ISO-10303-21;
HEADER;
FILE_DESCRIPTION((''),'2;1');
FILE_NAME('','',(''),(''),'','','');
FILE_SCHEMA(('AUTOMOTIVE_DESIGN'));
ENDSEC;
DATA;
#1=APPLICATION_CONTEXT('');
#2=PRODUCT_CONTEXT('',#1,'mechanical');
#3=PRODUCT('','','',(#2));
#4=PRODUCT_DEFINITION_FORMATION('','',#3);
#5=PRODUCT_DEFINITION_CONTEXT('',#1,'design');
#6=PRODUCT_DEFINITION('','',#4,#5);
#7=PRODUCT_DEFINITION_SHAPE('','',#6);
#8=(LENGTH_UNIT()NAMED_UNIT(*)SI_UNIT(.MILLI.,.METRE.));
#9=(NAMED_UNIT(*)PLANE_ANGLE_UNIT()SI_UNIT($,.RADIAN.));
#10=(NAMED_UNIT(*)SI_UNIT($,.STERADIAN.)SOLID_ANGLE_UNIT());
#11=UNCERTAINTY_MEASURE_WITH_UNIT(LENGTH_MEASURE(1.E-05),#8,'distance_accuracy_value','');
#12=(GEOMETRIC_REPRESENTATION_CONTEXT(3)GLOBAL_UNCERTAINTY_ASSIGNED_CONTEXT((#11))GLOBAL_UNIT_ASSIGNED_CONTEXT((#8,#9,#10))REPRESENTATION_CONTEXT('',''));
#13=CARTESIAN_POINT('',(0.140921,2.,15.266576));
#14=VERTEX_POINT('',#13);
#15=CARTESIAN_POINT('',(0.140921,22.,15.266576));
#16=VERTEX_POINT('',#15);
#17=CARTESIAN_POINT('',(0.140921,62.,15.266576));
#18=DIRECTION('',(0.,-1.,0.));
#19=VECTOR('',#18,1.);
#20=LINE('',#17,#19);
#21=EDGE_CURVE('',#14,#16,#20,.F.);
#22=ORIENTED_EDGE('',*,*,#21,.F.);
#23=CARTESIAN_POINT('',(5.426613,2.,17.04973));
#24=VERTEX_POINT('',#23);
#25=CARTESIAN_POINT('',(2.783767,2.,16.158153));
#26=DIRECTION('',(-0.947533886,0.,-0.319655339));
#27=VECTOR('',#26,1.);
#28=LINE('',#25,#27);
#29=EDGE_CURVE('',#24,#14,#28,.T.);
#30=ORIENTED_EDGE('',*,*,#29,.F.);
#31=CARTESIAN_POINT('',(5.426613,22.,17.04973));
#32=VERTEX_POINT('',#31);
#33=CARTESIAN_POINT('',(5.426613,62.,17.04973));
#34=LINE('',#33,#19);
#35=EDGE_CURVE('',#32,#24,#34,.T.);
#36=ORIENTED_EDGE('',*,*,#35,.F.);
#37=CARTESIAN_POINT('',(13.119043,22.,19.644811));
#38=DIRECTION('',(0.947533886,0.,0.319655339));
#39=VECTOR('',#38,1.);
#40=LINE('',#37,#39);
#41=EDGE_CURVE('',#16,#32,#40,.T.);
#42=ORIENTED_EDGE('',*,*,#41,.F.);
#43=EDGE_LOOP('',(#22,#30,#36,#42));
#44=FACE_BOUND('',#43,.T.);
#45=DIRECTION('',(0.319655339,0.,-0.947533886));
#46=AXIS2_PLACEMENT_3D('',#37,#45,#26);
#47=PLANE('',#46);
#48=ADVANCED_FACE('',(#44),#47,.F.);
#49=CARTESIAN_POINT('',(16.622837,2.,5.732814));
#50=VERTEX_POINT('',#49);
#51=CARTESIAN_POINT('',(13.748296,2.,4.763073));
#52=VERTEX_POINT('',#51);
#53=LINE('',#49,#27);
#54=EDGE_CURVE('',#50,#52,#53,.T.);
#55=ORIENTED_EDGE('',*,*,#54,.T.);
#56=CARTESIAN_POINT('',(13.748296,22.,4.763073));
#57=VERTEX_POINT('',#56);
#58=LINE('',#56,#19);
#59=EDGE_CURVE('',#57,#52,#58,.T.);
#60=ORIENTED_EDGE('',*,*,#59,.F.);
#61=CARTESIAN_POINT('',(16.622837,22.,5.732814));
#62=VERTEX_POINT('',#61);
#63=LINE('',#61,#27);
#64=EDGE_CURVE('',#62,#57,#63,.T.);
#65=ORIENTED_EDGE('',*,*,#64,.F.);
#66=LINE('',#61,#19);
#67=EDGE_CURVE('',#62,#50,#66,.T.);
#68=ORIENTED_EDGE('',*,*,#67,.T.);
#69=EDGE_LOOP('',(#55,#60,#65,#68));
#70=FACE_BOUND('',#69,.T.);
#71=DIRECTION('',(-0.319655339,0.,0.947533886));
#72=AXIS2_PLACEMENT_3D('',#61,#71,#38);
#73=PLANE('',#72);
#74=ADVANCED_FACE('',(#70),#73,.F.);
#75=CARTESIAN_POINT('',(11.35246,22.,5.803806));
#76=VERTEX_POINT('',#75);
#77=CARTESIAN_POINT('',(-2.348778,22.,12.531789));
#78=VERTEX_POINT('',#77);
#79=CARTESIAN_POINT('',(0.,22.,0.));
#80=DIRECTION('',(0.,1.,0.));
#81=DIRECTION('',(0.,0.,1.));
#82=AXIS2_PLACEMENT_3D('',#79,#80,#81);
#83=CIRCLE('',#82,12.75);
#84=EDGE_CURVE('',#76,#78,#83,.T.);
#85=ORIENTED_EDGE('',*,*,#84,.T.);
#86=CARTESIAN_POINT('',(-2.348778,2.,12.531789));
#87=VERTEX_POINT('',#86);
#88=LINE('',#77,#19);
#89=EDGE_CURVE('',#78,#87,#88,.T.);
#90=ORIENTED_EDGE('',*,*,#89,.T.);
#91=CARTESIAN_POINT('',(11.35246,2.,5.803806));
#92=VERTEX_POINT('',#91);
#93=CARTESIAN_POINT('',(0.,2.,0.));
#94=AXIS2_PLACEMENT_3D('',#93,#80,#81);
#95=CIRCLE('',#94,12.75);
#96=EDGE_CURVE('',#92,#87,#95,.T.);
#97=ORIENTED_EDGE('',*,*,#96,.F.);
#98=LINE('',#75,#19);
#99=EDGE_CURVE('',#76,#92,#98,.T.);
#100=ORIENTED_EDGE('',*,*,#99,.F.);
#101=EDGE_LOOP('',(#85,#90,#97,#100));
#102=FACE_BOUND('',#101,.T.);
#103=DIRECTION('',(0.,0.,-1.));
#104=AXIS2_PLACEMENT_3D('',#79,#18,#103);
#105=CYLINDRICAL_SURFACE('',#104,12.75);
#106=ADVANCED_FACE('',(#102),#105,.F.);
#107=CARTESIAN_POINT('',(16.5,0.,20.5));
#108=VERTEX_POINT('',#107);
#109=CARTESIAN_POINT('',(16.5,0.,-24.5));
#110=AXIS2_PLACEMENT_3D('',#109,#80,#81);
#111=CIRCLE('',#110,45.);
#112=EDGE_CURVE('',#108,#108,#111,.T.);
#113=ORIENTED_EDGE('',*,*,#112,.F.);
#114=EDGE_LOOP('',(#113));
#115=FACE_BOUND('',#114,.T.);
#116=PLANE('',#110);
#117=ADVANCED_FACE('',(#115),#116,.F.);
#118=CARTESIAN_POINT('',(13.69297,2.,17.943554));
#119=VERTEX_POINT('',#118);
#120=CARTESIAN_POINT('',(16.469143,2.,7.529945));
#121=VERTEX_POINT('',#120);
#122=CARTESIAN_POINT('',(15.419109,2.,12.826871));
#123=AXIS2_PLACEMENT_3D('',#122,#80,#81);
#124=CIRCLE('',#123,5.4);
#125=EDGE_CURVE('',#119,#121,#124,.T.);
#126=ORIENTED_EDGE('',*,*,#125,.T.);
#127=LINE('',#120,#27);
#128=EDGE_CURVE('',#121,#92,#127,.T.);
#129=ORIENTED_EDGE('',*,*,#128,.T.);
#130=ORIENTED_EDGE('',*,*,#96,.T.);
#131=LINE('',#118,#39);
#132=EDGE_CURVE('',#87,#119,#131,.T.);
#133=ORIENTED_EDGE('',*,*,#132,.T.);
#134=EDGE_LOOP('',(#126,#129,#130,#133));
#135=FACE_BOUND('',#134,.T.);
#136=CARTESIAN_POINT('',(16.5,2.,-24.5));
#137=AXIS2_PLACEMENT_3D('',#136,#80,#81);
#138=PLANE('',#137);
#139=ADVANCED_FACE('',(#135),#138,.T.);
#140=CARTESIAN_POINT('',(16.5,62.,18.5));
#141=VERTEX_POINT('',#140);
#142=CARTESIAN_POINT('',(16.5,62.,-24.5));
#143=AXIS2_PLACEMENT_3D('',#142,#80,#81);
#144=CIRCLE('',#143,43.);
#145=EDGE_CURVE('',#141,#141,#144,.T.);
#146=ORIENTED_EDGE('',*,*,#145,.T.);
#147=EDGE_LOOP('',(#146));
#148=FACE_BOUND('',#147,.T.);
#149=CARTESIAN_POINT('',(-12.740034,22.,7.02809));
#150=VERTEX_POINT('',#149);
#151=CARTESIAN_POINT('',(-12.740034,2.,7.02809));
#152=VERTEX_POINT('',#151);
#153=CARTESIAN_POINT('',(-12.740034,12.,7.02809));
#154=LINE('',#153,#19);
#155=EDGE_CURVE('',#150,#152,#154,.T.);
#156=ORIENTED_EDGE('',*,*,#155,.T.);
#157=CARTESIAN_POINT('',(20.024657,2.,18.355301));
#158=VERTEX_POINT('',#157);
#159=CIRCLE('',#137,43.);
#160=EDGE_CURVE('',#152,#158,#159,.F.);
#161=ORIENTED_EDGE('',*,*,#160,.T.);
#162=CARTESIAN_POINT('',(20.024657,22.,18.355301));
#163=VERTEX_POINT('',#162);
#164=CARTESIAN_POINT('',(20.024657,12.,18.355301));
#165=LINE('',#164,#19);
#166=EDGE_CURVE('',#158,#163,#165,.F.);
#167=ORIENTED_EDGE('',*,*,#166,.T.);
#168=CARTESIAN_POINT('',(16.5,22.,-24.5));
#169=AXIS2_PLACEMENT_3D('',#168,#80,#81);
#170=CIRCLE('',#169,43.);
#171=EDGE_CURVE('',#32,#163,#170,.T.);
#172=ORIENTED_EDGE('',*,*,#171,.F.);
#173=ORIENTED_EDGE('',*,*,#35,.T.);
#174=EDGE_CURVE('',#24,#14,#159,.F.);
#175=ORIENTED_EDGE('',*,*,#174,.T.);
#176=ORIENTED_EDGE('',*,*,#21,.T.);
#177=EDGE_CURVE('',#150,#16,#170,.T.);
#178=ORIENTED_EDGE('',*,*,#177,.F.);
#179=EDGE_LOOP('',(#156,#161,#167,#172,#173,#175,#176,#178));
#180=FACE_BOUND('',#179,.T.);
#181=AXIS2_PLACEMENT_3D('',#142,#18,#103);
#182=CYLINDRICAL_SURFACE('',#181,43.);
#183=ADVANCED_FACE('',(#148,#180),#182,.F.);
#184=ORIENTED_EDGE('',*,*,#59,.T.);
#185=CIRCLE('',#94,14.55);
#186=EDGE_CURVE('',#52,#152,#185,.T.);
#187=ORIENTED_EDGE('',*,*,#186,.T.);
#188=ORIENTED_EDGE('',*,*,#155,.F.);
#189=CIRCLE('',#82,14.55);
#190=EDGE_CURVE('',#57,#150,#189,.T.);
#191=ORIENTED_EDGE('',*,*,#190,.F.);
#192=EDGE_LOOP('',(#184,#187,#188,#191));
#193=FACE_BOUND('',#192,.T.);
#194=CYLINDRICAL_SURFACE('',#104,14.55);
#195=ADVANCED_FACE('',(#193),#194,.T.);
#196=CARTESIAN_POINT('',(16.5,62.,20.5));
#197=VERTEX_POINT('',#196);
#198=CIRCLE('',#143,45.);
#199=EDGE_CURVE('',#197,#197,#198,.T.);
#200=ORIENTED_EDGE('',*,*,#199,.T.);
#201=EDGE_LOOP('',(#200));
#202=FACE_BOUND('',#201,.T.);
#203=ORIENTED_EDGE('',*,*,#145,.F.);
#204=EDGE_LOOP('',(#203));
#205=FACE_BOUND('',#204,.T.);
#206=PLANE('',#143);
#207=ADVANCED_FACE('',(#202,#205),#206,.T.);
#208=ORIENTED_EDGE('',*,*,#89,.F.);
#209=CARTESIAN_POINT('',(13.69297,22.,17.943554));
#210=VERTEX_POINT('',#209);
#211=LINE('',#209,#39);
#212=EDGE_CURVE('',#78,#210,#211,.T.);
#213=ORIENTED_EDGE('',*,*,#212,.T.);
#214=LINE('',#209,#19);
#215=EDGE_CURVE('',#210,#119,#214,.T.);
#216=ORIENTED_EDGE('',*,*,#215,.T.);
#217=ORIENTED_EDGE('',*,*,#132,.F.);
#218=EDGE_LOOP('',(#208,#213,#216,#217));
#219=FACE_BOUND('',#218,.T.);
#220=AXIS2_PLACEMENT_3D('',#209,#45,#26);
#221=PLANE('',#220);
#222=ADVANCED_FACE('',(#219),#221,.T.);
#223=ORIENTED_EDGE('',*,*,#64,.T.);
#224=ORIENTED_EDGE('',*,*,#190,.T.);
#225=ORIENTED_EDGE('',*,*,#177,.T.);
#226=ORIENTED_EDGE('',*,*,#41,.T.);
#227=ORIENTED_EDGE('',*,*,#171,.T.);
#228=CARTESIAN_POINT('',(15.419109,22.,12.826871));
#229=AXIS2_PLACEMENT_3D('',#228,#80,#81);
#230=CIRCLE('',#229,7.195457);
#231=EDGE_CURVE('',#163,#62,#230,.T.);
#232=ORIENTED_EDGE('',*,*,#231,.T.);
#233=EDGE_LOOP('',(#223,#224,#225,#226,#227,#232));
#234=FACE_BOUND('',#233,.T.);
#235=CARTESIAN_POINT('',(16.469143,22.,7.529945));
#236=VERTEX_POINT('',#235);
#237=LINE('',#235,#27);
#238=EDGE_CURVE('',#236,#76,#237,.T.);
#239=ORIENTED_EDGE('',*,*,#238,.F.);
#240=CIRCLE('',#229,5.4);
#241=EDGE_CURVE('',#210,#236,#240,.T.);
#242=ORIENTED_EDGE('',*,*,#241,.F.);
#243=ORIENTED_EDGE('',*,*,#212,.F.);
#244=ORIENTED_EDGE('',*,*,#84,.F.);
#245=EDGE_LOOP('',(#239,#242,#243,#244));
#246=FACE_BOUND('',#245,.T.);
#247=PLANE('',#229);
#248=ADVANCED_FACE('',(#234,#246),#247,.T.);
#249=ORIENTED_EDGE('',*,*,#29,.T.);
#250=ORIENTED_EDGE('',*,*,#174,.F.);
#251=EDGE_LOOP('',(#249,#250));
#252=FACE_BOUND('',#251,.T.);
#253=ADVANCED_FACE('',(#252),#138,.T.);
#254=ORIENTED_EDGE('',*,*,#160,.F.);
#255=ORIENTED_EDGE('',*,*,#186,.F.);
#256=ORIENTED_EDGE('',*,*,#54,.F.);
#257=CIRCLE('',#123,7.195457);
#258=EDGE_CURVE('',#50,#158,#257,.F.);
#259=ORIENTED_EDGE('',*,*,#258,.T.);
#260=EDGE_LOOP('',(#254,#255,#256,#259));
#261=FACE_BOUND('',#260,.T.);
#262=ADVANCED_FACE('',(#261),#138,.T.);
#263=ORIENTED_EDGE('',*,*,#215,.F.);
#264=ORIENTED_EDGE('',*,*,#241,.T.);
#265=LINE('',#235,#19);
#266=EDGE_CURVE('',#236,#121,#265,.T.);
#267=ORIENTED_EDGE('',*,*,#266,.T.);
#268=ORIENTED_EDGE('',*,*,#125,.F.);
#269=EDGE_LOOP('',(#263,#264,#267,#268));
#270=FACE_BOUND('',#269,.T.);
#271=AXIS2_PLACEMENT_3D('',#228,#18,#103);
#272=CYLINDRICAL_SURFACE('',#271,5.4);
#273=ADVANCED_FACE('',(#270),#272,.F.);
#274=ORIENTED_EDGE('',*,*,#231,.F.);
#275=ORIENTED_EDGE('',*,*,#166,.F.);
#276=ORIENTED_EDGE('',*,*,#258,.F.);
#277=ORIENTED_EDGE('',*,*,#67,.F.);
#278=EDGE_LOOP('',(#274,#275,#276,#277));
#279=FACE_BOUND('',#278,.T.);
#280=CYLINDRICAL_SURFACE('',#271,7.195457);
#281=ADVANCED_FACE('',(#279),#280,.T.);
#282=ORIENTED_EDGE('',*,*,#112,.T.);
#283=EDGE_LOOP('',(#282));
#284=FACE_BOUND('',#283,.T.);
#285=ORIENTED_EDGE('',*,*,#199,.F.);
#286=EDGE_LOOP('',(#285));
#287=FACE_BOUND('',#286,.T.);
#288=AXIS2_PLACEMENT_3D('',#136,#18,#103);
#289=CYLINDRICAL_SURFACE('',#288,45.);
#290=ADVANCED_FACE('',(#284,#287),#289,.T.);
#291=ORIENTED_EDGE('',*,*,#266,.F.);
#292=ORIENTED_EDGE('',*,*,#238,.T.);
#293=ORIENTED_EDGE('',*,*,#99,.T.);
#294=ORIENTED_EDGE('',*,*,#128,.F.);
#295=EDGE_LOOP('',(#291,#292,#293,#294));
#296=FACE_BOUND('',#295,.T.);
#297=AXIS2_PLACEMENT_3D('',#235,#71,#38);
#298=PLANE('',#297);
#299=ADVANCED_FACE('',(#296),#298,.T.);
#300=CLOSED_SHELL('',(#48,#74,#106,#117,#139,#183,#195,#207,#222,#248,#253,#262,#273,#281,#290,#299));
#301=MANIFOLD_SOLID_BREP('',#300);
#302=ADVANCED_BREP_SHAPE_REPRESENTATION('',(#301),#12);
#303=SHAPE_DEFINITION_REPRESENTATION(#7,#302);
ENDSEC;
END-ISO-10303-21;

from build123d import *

# Parameters (mm, degrees)
SKETCH1_R           = 45
BOSS_EXTRUDE1_DEPTH = 2
SKETCH2_R           = 45
SKETCH2_R_2         = 43
BOSS_EXTRUDE2_DEPTH = 60
BOSS_EXTRUDE3_DEPTH = 20


with BuildPart() as part:
    # Sketch1 → Boss-Extrude1 (new body)
    with BuildSketch(Plane(origin=(0, 0, 0), x_dir=(1, 0, 0), z_dir=(0, 1, 0))):
        with Locations((16.5, 24.5)):
            Circle(SKETCH1_R)
    extrude(amount=BOSS_EXTRUDE1_DEPTH)

    # Sketch2 → Boss-Extrude2 (add)
    with BuildSketch(Plane(origin=(0, 2, 0), x_dir=(1, 0, 0), z_dir=(0, 1, 0))):
        with Locations((16.5, 24.5)):
            Circle(SKETCH2_R)
        with Locations((16.5, 24.5)):
            Circle(SKETCH2_R_2, mode=Mode.SUBTRACT)
    extrude(amount=BOSS_EXTRUDE2_DEPTH)

    # Sketch4 → Boss-Extrude3 (add)
    with BuildSketch(Plane(origin=(0, 2, 0), x_dir=(1, 0, 0), z_dir=(0, 1, 0))):
        with BuildLine():
            Line((16.62283723, -5.732814302), (13.748295666, -4.763073196))
            ThreePointArc((13.748295666, -4.763073196), (-7.263767503, 12.607148038), (-2.774667592, -14.282987074))
            Line((-2.774667592, -14.282987074), (13.119042931, -19.644810544))
            ThreePointArc((13.119042931, -19.644810544), (22.396673207, -14.58419971), (16.62283723, -5.732814302))
        make_face()
        with BuildLine():
            Line((13.692970384, -17.943554089), (-2.348778298, -12.531789198))
            ThreePointArc((-2.348778298, -12.531789198), (-5.619876263, 11.444627158), (11.352459564, -5.803805808))
            Line((11.352459564, -5.803805808), (16.469142545, -7.529944639))
            ThreePointArc((16.469142545, -7.529944639), (20.636876468, -14.217879696), (13.692970384, -17.943554089))
        make_face(mode=Mode.SUBTRACT)
    extrude(amount=BOSS_EXTRUDE3_DEPTH)


solid = part.part
